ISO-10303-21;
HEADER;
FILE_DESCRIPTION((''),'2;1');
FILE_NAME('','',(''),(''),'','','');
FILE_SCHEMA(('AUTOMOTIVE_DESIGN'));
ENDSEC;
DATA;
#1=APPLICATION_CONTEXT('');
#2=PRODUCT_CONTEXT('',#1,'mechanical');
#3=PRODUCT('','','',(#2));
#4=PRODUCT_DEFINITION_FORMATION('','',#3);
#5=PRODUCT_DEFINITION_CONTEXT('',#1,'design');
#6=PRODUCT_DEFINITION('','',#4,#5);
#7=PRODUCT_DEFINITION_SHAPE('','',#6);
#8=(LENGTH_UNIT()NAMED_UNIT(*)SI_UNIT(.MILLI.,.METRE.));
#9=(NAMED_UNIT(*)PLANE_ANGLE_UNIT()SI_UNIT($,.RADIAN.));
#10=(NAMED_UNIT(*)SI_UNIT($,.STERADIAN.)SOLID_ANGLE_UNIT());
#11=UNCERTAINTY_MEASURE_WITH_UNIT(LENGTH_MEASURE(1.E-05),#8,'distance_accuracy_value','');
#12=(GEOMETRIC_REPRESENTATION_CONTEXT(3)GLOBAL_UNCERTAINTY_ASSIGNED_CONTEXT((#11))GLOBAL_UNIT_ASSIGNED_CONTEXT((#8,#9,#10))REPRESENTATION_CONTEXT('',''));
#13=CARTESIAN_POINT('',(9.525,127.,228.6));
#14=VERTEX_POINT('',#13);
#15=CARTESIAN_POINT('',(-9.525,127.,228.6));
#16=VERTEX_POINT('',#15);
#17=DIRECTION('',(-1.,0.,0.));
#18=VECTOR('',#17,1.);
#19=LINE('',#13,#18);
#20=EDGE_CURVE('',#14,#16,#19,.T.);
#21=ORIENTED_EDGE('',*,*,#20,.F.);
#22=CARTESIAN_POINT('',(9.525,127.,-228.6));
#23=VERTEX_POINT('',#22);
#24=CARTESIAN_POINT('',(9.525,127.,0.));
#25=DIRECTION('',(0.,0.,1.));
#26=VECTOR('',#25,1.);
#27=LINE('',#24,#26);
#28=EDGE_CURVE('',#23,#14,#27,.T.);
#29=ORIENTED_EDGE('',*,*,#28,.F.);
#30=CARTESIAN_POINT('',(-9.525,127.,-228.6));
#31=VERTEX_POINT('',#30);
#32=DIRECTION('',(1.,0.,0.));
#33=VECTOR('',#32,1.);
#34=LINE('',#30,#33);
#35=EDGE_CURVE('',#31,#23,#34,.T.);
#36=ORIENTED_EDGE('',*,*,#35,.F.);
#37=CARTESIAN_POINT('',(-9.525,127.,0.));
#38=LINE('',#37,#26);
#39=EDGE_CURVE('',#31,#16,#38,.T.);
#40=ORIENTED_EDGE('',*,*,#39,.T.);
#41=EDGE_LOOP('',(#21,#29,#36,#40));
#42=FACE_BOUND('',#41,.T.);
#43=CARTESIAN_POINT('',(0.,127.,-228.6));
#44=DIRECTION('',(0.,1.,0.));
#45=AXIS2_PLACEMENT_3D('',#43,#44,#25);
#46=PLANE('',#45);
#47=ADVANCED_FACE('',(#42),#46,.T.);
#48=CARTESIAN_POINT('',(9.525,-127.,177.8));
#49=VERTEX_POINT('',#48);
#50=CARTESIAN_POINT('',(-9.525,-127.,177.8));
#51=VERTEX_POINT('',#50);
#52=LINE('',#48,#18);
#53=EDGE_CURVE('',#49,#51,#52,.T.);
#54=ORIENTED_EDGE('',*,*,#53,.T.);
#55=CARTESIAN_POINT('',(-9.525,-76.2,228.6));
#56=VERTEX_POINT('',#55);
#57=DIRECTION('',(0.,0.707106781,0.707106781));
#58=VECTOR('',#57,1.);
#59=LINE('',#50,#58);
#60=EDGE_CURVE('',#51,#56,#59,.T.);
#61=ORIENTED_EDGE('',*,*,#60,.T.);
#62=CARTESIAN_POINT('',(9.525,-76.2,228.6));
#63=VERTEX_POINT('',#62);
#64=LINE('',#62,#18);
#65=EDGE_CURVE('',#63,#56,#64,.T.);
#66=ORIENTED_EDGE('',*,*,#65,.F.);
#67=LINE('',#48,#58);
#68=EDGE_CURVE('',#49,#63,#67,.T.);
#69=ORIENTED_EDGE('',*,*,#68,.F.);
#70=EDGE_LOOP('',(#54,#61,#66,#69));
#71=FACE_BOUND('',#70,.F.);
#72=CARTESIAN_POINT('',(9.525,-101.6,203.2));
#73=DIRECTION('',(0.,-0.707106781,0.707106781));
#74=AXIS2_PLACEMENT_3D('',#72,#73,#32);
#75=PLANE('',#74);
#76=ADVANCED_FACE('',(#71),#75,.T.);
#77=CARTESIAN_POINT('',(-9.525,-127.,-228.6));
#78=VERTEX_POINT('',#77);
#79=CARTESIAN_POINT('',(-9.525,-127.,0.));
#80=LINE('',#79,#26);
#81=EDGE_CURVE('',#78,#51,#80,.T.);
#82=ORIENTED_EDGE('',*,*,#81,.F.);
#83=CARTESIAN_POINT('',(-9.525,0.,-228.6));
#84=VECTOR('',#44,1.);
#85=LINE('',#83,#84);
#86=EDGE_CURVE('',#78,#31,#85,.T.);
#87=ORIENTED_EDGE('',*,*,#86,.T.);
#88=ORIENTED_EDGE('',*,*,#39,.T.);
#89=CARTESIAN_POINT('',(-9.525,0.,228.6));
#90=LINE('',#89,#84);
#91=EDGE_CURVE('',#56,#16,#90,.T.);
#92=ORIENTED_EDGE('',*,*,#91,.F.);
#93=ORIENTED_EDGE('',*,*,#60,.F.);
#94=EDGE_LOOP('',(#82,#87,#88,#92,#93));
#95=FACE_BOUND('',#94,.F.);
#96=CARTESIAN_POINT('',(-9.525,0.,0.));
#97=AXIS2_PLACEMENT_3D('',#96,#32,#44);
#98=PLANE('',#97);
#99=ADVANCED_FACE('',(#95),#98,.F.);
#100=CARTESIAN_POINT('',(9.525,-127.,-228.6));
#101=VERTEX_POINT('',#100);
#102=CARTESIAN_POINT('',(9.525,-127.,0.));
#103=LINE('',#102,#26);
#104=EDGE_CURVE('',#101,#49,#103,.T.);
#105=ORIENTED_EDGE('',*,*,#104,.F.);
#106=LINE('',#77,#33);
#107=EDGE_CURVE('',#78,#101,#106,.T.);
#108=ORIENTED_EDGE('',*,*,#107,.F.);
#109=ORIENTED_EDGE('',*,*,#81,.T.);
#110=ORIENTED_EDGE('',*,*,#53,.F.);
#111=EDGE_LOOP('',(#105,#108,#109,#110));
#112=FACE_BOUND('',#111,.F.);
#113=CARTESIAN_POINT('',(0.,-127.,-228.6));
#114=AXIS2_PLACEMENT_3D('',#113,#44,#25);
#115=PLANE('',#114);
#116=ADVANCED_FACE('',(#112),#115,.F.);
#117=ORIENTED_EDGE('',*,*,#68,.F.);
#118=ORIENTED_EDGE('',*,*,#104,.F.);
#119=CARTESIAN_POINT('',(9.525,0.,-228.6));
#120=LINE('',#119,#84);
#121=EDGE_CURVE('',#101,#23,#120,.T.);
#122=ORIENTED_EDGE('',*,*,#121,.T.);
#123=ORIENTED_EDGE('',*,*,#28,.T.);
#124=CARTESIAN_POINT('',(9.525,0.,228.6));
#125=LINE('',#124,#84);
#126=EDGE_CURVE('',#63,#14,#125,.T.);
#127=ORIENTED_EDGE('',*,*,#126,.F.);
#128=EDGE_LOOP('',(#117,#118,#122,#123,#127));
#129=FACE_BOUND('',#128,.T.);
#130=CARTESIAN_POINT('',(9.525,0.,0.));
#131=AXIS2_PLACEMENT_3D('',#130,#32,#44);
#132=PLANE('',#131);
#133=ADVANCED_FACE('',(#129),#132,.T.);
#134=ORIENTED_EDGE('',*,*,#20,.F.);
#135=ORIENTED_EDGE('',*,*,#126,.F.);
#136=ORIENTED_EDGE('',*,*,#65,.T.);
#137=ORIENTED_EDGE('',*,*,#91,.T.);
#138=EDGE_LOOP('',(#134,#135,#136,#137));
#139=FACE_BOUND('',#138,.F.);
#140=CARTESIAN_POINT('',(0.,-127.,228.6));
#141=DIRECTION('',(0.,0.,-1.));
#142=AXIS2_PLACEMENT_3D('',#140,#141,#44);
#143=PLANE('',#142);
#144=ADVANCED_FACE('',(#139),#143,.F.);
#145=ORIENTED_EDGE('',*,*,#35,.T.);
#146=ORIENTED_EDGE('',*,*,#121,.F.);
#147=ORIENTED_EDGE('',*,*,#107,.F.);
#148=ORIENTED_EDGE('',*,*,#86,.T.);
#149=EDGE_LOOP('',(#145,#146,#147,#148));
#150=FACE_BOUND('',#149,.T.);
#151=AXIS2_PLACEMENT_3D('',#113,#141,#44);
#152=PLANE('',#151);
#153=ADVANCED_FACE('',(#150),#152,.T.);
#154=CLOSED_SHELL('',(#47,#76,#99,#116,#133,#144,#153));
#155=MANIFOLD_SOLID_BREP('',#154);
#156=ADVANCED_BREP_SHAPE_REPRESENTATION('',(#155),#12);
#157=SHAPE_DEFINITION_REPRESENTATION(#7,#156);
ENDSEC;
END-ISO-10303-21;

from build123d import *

# Parameters (mm, degrees)
F0_W     = 254
F0_H     = 457.2
F1_DEPTH = 9.525
F2_SIZE  = 50.8


with BuildPart() as f1:
    # F0 (on Right) → F1 (new body, symmetric)
    with BuildSketch(Plane.YZ):
        Rectangle(F0_W, F0_H)
    extrude(amount=F1_DEPTH, both=True)

    # F2
    f2_edges = [f1.edges().sort_by_distance(p)[0] for p in [
        (0, -127, 228.6),
    ]]
    chamfer(f2_edges, length=F2_SIZE)


solid = f1.part
